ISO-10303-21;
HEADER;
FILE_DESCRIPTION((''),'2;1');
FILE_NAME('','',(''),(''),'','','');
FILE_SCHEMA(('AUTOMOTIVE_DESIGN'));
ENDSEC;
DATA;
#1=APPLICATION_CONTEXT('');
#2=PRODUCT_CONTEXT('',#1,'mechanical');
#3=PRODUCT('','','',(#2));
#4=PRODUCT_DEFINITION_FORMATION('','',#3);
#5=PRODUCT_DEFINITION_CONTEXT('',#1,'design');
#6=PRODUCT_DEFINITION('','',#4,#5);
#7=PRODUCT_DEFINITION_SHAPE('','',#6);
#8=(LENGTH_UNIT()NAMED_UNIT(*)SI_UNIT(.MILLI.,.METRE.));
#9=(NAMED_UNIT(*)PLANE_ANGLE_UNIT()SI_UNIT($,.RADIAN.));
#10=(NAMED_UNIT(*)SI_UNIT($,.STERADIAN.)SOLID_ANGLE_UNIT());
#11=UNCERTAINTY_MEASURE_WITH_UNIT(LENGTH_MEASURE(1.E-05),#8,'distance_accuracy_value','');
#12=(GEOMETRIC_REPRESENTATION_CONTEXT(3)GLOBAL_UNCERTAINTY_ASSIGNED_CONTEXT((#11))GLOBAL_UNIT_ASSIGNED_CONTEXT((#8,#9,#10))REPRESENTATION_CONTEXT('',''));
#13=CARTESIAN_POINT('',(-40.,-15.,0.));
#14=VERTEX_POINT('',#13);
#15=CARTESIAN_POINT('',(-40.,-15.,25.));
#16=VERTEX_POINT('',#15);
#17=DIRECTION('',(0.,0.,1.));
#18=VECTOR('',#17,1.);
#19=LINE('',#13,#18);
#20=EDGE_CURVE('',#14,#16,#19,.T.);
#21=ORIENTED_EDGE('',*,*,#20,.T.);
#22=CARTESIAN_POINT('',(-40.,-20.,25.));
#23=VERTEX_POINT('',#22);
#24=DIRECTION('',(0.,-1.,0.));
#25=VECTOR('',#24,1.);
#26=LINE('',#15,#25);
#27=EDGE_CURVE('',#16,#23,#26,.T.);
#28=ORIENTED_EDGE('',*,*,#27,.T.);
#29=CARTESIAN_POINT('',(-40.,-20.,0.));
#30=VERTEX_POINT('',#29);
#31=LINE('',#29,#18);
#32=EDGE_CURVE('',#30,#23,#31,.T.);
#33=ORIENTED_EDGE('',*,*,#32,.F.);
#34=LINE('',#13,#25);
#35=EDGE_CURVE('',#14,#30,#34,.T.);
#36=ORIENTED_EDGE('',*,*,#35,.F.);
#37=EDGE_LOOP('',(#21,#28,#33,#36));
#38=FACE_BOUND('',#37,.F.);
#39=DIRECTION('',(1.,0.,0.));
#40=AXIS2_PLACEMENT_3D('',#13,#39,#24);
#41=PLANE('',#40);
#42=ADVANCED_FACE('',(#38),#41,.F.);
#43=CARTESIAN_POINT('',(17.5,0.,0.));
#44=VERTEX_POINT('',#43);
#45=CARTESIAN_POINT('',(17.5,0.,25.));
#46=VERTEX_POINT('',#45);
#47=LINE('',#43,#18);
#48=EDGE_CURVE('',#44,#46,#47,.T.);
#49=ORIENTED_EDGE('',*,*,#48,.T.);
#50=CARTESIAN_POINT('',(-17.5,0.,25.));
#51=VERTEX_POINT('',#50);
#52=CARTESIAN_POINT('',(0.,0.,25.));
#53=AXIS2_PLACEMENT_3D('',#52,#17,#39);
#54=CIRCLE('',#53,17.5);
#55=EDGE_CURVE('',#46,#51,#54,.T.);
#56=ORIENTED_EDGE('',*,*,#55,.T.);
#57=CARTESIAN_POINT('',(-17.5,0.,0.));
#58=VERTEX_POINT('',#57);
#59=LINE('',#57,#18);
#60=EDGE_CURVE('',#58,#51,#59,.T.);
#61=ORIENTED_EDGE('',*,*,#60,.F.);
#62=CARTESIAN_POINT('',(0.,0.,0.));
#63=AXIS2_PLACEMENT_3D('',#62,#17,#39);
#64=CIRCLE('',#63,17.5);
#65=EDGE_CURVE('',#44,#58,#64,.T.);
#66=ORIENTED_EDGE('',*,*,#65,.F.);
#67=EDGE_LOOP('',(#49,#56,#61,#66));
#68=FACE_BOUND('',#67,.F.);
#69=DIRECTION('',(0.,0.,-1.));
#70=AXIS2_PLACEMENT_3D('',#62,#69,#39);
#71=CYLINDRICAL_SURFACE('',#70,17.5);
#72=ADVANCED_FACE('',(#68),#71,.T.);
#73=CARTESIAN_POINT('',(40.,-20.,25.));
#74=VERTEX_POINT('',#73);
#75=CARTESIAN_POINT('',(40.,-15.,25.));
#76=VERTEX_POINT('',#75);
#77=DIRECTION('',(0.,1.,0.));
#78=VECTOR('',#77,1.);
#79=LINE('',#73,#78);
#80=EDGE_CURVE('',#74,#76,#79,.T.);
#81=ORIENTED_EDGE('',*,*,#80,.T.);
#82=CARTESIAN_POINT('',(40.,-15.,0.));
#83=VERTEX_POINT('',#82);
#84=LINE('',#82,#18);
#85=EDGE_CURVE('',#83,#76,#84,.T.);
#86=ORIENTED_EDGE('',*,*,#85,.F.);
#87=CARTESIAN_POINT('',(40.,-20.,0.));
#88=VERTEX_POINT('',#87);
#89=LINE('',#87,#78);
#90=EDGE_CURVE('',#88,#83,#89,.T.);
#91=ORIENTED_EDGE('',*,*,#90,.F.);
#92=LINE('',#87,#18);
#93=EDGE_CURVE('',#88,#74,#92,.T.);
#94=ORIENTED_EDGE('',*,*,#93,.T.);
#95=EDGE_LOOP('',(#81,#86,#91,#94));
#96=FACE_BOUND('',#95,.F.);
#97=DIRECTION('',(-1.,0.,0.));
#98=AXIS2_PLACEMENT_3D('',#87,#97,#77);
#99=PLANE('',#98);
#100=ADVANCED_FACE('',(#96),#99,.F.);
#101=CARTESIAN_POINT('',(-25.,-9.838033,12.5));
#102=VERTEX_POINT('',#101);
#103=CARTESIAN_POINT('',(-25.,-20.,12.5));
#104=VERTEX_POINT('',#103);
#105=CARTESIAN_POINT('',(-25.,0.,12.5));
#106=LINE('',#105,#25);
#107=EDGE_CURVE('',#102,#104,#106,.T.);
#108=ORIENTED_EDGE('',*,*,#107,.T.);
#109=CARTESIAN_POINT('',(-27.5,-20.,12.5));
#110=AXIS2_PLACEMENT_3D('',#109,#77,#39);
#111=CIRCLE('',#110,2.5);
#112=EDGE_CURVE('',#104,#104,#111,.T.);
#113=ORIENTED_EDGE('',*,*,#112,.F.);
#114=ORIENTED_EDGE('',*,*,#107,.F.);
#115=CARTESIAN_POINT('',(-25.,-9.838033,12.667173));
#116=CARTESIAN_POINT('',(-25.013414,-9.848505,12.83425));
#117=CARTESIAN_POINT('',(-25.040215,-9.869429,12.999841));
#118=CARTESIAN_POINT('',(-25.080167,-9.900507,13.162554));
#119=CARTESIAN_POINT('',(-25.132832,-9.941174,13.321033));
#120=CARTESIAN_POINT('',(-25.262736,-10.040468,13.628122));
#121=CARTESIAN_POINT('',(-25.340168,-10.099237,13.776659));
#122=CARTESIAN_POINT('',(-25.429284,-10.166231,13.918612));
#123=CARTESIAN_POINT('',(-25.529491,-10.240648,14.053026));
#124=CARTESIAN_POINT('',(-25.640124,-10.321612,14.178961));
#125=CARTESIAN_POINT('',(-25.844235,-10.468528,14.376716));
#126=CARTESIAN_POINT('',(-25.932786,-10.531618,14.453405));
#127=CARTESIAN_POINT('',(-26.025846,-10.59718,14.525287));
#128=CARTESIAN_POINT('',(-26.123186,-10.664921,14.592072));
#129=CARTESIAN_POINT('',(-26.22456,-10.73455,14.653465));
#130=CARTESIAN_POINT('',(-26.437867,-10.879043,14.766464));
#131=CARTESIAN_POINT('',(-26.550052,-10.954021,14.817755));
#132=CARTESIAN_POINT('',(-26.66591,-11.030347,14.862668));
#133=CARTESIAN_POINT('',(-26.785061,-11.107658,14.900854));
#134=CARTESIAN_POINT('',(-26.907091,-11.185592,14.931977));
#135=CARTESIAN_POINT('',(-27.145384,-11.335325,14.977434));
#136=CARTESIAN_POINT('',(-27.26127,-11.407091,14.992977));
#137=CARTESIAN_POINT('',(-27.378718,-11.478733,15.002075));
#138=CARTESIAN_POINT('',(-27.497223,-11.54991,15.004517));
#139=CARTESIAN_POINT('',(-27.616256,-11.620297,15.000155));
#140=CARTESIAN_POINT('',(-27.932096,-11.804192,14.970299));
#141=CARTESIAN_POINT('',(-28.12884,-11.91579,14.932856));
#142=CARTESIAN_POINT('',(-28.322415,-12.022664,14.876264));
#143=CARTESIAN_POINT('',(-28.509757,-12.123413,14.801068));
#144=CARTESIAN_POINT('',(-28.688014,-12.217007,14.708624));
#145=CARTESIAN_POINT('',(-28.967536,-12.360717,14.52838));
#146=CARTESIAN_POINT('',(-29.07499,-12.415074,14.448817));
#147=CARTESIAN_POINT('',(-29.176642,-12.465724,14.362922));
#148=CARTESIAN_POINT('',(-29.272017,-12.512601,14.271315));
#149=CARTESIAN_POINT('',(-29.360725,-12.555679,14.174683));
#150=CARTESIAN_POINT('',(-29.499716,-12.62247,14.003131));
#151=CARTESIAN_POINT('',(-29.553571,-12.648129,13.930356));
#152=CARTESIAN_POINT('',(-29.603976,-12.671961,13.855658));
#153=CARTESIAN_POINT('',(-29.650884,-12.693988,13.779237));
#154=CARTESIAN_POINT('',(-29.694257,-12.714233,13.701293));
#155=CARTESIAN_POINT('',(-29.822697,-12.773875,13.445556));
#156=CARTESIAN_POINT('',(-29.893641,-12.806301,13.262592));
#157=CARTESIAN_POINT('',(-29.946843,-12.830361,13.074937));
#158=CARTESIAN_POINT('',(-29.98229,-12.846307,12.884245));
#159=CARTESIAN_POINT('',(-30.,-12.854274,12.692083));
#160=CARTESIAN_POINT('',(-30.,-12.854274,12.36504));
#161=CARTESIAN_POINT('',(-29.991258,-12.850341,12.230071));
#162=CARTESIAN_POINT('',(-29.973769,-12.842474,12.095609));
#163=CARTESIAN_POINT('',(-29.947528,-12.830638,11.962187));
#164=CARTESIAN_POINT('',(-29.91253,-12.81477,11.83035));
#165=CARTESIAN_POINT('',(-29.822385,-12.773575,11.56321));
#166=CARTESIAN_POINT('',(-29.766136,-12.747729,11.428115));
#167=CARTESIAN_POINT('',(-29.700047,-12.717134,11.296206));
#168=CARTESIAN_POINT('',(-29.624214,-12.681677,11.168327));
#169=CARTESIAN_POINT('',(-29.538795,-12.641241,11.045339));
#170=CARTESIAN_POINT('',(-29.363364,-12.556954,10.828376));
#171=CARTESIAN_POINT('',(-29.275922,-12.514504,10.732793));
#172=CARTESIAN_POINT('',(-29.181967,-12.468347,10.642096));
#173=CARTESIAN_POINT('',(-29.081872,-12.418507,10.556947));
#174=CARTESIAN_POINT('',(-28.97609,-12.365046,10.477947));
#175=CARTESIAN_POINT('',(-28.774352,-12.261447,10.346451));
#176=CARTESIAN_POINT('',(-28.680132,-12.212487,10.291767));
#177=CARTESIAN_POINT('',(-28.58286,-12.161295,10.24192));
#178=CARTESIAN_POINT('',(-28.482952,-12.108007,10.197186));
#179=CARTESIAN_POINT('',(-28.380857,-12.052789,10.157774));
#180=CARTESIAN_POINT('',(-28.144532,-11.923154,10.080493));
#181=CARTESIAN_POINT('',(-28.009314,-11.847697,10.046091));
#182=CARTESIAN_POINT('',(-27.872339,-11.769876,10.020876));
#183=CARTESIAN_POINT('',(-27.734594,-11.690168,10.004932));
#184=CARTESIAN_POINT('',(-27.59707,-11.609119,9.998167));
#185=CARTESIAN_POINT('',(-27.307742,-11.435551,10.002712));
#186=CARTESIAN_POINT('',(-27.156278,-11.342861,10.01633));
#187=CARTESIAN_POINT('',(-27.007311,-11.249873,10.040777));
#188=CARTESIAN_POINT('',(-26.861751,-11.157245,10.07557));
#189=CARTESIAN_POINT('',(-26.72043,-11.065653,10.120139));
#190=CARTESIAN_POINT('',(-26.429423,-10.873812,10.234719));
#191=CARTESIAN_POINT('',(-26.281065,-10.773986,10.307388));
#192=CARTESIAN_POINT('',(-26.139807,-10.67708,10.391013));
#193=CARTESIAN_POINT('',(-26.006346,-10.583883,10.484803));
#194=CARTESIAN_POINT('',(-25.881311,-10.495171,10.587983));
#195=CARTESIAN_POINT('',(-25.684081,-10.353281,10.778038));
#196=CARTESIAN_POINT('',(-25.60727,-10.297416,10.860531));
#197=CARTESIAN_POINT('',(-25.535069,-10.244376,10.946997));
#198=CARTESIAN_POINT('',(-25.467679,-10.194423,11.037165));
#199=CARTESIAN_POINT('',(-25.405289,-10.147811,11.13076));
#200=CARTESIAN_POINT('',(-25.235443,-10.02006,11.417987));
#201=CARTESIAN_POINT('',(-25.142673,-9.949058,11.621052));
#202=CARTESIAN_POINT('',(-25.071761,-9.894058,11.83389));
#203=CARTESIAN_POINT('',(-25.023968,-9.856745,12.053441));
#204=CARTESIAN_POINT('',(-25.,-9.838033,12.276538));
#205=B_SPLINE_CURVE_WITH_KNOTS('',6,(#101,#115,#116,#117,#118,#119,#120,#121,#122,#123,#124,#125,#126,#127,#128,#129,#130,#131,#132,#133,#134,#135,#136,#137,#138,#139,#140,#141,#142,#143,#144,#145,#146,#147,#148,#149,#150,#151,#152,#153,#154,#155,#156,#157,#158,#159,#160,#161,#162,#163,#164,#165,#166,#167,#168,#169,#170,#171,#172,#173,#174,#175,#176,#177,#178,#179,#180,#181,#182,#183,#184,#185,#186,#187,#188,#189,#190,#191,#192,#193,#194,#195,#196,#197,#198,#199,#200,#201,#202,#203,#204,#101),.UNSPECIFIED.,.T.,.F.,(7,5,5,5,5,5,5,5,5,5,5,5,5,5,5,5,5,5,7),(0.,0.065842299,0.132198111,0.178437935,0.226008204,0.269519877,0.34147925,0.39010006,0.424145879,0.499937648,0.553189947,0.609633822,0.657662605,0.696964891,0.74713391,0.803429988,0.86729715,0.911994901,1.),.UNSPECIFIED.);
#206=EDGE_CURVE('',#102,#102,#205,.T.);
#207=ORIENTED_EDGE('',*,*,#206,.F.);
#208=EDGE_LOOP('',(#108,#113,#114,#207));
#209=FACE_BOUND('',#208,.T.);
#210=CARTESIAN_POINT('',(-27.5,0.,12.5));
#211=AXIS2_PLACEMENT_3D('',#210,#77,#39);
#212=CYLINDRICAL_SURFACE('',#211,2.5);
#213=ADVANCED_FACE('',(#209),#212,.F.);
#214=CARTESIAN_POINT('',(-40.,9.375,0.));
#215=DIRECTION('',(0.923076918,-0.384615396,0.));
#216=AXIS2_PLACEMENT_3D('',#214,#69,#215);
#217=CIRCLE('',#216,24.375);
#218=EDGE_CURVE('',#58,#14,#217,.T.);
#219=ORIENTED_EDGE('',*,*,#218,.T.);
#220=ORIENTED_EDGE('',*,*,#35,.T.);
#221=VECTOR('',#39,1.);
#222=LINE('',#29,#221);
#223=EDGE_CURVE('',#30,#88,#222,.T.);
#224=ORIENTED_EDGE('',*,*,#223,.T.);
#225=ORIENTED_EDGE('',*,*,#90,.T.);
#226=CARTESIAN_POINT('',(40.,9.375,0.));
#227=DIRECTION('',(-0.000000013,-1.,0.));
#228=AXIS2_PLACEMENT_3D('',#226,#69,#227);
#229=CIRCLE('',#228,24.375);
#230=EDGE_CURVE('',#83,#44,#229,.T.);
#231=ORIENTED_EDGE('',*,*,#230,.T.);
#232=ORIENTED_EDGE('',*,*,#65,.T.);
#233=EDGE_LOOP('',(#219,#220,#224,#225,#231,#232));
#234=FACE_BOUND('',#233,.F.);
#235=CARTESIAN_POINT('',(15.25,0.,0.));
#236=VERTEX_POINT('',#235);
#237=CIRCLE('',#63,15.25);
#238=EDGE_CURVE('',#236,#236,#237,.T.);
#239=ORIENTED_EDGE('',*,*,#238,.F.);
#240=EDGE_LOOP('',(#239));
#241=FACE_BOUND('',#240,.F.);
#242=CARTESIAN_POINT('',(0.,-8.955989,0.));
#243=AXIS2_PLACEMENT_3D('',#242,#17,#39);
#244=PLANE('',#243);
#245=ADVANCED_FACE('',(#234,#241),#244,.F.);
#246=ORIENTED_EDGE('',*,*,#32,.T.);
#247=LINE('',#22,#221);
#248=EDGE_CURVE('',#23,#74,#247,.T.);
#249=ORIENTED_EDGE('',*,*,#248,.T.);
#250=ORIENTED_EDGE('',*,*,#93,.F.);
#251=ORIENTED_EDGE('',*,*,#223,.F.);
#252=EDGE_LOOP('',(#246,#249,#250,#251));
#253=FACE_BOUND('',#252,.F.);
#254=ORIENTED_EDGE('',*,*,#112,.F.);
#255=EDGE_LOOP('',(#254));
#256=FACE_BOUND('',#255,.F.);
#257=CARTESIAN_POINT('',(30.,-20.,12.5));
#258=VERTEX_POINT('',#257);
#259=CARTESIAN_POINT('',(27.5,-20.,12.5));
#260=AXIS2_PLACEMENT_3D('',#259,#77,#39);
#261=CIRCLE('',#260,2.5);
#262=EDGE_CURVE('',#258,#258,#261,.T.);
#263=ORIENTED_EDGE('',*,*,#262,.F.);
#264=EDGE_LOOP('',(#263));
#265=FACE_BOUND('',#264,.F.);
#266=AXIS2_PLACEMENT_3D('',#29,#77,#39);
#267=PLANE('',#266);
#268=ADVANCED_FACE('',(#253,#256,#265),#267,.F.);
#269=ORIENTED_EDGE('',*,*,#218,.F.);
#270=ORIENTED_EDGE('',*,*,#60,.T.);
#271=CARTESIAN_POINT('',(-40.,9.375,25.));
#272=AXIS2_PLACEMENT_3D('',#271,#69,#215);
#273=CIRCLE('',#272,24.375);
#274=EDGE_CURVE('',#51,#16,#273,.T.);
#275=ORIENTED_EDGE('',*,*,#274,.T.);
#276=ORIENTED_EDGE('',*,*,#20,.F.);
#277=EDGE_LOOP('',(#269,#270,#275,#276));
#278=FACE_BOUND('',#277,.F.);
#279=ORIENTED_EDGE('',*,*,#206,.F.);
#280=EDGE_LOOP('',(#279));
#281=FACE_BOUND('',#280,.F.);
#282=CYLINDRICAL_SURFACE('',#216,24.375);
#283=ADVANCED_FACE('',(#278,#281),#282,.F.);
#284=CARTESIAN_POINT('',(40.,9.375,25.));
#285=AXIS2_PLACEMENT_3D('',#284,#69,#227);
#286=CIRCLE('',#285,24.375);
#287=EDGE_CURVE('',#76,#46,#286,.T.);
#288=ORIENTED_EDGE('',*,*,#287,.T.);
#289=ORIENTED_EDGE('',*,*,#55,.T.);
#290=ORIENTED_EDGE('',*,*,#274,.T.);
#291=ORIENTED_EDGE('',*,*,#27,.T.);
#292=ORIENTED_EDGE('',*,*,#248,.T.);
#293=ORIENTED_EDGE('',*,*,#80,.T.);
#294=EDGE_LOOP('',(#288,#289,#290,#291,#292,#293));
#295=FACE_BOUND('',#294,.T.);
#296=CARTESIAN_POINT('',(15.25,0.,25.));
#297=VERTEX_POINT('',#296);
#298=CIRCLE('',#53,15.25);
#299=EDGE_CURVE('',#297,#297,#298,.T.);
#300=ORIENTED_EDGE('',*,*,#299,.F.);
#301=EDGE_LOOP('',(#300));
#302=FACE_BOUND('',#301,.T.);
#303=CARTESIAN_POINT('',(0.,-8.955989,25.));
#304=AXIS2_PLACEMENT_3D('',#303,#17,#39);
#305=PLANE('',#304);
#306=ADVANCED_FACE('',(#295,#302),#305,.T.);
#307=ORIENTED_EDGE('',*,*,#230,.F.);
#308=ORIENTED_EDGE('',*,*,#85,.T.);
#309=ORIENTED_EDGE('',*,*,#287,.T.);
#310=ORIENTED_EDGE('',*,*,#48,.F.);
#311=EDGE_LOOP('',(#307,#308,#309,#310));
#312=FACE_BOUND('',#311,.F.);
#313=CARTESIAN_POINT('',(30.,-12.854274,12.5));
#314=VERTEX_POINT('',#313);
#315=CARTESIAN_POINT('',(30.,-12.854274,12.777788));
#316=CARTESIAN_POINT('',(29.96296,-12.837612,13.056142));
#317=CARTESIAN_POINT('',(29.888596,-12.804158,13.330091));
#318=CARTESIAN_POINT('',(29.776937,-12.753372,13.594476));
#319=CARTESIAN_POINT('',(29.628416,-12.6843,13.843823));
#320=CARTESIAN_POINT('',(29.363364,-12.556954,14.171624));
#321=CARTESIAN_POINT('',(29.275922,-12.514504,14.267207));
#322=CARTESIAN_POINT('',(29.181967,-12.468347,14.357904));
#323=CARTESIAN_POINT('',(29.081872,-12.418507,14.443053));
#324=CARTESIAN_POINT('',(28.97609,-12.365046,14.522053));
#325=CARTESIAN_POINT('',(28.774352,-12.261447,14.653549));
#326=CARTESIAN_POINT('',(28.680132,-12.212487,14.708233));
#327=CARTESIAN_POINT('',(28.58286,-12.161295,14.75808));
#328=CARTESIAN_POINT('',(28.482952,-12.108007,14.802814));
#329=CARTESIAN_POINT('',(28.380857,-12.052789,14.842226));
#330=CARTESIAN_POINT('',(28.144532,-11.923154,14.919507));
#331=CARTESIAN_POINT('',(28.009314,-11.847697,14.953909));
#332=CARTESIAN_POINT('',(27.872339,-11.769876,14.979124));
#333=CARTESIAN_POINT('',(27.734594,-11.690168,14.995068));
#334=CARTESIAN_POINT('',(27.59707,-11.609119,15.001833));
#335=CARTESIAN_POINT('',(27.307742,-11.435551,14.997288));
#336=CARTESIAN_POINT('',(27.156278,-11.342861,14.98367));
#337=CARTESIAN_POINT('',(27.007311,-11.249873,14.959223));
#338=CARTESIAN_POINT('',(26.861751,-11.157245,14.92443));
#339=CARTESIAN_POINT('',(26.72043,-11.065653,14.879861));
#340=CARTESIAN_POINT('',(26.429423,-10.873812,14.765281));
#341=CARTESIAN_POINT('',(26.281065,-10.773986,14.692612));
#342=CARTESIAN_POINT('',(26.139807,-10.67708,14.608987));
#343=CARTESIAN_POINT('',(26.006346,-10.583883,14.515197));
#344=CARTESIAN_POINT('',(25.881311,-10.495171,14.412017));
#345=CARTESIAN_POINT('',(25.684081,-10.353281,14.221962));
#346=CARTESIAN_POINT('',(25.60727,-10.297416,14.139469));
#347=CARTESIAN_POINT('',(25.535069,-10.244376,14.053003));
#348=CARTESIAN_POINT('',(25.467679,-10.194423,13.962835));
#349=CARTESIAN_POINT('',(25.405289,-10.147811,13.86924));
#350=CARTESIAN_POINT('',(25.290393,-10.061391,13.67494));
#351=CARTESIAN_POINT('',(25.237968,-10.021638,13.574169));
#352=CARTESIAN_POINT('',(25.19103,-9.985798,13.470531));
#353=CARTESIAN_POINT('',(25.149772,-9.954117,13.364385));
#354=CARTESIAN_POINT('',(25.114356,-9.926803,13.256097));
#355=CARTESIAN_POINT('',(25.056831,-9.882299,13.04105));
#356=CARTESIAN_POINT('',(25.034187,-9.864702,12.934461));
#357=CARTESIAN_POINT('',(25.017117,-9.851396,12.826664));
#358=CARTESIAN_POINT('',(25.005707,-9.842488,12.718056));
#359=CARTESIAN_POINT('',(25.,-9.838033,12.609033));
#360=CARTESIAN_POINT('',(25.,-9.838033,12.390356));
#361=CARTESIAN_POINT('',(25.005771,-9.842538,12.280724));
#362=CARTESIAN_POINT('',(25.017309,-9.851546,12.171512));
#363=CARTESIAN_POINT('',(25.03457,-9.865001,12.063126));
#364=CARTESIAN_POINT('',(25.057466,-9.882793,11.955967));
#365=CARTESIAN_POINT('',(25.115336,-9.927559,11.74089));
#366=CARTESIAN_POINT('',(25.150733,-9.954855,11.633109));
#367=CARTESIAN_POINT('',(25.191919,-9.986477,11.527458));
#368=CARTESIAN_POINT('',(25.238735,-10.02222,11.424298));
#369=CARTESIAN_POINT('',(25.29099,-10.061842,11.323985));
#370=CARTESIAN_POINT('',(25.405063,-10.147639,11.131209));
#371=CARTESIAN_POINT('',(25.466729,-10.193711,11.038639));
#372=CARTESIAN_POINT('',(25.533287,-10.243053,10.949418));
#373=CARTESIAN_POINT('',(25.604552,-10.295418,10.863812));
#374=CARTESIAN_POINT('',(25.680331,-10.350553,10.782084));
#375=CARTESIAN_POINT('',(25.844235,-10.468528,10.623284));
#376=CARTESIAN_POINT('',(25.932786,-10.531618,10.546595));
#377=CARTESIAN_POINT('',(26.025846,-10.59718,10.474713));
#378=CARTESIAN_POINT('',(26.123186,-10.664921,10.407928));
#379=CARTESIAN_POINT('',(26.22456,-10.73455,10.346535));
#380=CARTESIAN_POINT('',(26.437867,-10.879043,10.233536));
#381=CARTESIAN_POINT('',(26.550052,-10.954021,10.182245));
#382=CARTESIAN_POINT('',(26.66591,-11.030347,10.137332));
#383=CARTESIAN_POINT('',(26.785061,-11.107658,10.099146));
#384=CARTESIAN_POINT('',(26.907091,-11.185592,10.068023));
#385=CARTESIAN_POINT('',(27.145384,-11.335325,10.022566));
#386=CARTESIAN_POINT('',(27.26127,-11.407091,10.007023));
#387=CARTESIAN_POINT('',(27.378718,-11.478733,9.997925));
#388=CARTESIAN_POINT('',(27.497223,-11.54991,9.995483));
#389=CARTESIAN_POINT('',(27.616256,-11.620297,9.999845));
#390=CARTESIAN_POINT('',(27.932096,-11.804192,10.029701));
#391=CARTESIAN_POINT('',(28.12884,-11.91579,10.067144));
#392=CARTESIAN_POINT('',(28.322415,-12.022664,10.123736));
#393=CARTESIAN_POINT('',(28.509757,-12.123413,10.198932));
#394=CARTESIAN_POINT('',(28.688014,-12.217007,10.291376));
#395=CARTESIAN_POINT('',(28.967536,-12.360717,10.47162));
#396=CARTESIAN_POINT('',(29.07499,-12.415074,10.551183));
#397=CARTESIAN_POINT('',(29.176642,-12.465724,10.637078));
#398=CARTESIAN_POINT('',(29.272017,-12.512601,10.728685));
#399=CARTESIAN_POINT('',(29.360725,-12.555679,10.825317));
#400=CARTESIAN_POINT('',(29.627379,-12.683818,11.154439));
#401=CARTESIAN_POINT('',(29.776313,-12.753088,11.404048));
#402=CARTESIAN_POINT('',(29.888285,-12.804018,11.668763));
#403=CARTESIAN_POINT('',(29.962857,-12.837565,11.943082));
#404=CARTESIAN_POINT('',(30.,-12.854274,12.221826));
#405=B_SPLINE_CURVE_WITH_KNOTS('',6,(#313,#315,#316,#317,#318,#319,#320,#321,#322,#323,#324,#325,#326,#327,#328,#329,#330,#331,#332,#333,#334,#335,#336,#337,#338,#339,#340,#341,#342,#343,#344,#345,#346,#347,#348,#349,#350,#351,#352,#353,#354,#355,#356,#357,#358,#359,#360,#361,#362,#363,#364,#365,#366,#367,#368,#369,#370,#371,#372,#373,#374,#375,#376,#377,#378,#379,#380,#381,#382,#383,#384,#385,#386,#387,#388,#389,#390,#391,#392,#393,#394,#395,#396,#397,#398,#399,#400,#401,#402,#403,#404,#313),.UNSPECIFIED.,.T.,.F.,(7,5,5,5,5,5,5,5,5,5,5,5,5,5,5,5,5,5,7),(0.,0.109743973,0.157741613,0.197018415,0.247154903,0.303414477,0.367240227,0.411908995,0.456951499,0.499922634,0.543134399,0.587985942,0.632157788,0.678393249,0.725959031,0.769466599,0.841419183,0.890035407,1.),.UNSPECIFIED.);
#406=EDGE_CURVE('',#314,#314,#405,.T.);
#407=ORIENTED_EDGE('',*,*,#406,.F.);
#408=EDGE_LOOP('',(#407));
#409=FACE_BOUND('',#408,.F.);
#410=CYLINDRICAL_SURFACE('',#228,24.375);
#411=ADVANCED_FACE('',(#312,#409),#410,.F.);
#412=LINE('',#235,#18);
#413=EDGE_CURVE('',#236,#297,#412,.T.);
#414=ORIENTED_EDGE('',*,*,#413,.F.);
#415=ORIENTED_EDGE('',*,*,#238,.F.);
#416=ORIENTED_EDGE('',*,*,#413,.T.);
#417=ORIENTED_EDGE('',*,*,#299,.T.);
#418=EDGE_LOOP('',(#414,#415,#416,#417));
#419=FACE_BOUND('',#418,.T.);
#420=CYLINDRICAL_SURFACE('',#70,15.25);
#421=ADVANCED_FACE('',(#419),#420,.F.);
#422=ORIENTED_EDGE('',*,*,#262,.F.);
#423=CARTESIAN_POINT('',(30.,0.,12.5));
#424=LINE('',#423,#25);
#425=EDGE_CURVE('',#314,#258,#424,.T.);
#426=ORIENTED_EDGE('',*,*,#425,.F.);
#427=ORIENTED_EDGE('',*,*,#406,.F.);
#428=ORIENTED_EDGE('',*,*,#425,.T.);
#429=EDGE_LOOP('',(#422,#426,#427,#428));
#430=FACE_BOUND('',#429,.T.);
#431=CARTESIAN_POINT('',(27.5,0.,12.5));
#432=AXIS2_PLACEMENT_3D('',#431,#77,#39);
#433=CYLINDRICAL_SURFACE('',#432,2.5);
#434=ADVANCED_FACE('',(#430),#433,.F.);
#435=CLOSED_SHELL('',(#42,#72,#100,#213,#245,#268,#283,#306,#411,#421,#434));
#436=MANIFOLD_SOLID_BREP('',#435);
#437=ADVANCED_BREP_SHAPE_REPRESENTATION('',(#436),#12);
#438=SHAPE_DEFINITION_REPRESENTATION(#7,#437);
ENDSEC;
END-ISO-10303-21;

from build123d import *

# Parameters (mm, degrees)
F0_R     = 15.25
F1_DEPTH = 25
F2_R     = 2.5
F3_DEPTH = 25


with BuildPart() as f1:
    # F0 (on Top) → F1 (new body)
    with BuildSketch(Plane.XY):
        with BuildLine():
            ThreePointArc((40, -15), (26.479183, -10.906226), (17.5, 0))
            ThreePointArc((17.5, 0), (0, 17.5), (-17.5, 0))
            ThreePointArc((-17.5, 0), (-26.479183, -10.906226), (-40, -15))
            Line((-40, -15), (-40, -20))
            Line((-40, -20), (40, -20))
            Line((40, -20), (40, -15))
        make_face()
        Circle(F0_R, mode=Mode.SUBTRACT)
    extrude(amount=F1_DEPTH)

    # F2 (on Front) → F3 (cut)
    with BuildSketch(Plane.XZ):
        with Locations((27.5, 12.5)):
            Circle(F2_R)
        with Locations((-27.5, 12.5)):
            Circle(F2_R)
    extrude(amount=F3_DEPTH, mode=Mode.SUBTRACT)


solid = f1.part
